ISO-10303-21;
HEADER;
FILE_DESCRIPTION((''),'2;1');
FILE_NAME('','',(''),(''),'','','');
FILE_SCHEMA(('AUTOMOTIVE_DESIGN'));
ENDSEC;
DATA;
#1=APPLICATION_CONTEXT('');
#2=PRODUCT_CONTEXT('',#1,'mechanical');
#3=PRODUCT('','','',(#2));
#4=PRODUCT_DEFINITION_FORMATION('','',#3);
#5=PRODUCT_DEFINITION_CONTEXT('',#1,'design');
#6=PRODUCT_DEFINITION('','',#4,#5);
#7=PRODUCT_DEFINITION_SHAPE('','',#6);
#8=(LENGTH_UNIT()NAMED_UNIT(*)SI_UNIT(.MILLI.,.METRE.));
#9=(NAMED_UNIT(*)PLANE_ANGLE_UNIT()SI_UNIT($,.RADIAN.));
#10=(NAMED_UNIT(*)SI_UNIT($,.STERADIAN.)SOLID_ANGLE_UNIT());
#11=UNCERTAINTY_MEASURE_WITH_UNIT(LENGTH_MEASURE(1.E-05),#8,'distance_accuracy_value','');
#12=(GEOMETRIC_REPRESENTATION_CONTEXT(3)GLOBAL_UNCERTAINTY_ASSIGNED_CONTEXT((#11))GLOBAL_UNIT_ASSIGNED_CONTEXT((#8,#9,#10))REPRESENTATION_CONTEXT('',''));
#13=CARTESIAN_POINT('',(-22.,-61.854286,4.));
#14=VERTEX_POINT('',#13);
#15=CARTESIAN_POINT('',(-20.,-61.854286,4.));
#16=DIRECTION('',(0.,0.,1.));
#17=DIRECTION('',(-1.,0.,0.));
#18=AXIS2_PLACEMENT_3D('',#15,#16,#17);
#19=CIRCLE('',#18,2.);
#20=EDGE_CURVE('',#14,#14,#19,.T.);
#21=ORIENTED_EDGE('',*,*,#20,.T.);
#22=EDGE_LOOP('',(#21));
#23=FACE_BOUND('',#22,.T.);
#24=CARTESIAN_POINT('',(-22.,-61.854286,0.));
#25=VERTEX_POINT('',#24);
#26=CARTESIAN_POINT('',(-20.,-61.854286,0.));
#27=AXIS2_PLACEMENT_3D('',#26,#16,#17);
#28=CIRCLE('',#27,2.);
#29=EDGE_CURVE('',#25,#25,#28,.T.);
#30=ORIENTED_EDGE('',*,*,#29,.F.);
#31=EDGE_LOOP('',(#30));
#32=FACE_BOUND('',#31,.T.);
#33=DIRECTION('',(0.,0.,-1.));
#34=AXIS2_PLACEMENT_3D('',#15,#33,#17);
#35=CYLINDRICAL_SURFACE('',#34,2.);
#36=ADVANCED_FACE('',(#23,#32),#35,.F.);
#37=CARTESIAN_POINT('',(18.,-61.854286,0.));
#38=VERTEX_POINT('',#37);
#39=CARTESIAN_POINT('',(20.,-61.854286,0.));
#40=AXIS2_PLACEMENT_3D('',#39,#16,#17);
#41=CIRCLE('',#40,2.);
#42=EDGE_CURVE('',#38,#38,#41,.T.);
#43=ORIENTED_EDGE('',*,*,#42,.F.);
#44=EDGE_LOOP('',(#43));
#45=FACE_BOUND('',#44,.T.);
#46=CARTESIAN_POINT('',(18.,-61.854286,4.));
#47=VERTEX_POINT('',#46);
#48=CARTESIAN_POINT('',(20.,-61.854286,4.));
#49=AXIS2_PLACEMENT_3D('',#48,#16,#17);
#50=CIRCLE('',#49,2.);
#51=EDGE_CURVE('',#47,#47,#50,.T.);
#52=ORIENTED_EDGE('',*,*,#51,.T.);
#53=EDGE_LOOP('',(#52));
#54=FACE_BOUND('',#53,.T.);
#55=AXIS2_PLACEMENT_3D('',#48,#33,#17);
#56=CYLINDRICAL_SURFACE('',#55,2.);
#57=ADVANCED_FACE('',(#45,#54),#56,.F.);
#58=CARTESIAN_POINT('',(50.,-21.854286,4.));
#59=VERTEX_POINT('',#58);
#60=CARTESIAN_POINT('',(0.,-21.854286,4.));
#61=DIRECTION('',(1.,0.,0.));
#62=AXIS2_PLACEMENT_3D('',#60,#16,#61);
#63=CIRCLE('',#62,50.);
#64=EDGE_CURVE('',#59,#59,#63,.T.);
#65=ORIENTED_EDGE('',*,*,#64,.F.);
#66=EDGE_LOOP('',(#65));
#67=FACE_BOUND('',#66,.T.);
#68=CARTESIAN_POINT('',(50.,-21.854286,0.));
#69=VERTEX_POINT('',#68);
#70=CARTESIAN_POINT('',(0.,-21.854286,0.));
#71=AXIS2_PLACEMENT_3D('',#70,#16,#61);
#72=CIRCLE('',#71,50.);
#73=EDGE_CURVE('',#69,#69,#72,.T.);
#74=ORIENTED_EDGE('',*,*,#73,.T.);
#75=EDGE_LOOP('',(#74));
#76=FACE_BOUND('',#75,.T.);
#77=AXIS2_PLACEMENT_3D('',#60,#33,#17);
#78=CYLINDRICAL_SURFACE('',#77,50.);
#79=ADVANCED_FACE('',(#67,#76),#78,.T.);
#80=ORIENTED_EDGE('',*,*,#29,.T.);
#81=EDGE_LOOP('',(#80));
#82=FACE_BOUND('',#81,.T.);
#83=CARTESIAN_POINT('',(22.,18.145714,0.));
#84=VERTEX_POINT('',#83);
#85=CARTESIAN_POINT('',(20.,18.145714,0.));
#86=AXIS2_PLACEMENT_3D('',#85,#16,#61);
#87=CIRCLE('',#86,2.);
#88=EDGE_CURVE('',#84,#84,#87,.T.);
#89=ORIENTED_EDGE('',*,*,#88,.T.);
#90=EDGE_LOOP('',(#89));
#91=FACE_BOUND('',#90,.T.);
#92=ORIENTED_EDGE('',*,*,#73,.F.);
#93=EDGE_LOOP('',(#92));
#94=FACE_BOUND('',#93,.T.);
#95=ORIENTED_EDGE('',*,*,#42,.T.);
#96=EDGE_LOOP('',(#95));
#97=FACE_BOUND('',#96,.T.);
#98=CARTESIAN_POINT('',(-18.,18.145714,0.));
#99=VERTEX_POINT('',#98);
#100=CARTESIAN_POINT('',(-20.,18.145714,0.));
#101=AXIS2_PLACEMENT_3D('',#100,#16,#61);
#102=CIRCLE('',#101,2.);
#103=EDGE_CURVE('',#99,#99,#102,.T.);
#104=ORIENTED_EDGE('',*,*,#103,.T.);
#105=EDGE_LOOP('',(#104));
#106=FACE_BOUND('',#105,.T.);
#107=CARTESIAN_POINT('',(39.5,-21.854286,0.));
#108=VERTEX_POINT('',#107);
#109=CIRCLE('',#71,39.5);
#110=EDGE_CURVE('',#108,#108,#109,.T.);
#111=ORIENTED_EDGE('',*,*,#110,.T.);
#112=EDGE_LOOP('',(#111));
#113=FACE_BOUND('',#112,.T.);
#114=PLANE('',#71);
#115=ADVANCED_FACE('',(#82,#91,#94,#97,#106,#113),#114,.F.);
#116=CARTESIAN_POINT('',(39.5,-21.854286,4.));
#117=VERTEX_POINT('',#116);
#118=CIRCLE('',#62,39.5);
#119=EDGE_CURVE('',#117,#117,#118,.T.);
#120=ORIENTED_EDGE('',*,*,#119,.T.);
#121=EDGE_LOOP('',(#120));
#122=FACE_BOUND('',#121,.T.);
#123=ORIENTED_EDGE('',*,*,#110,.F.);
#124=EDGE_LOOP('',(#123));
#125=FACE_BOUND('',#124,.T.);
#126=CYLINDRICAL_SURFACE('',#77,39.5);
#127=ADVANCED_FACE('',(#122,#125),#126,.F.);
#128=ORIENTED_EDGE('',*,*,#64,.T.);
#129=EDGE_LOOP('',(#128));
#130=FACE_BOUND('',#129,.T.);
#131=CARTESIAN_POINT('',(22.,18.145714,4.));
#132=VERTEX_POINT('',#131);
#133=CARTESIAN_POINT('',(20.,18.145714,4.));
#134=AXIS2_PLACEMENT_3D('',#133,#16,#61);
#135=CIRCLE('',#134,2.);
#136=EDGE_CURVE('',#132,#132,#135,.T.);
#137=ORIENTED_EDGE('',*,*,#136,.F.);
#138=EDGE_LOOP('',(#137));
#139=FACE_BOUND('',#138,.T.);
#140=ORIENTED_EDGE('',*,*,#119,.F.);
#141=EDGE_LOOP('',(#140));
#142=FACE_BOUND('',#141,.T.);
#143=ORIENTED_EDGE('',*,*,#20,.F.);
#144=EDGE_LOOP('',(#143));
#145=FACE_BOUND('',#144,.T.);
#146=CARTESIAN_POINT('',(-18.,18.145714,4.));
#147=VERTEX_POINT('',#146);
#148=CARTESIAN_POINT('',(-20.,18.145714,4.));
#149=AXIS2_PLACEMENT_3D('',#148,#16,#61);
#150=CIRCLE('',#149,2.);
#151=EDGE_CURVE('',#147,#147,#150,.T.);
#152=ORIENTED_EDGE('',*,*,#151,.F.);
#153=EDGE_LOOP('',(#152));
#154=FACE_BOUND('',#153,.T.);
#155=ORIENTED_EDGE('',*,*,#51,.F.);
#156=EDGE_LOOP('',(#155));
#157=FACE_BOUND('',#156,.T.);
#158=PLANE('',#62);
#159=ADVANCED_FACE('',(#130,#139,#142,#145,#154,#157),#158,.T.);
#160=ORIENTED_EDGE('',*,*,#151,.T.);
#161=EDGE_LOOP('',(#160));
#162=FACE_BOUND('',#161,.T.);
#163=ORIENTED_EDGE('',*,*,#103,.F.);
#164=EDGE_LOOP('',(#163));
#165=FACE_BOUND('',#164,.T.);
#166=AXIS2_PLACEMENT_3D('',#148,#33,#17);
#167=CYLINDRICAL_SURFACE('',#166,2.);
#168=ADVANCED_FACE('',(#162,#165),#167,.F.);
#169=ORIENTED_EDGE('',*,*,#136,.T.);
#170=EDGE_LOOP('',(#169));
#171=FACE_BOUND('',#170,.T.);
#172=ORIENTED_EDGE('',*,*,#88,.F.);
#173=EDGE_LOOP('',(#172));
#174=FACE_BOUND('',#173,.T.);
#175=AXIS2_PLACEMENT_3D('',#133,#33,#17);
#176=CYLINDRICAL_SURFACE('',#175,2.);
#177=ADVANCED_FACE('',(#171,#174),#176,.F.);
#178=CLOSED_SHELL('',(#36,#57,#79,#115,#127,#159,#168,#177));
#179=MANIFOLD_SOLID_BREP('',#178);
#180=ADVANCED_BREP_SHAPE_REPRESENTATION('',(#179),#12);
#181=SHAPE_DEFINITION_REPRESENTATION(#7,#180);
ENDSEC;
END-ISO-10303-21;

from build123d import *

# Parameters (mm, degrees)
SKETCH_1_R      = 50
SKETCH_1_R_2    = 2
SKETCH_1_R_3    = 39.5
EXTRUDE_1_DEPTH = 4


with BuildPart() as part:
    # 草图1 → 凸台-拉伸1 (new body)
    with BuildSketch(Plane.XY):
        with Locations((0, -21.854285714)):
            Circle(SKETCH_1_R)
        with Locations((-20, 18.145714286)):
            Circle(SKETCH_1_R_2, mode=Mode.SUBTRACT)
        with Locations((20, 18.145714286)):
            Circle(SKETCH_1_R_2, mode=Mode.SUBTRACT)
        with Locations(Location((20, -61.854285714, 0), (0, 0, 180))):
            Circle(SKETCH_1_R_2, mode=Mode.SUBTRACT)
        with Locations(Location((-20, -61.854285714, 0), (0, 0, 180))):
            Circle(SKETCH_1_R_2, mode=Mode.SUBTRACT)
        with Locations((0, -21.854285714)):
            Circle(SKETCH_1_R_3, mode=Mode.SUBTRACT)
    extrude(amount=EXTRUDE_1_DEPTH)


solid = part.part
